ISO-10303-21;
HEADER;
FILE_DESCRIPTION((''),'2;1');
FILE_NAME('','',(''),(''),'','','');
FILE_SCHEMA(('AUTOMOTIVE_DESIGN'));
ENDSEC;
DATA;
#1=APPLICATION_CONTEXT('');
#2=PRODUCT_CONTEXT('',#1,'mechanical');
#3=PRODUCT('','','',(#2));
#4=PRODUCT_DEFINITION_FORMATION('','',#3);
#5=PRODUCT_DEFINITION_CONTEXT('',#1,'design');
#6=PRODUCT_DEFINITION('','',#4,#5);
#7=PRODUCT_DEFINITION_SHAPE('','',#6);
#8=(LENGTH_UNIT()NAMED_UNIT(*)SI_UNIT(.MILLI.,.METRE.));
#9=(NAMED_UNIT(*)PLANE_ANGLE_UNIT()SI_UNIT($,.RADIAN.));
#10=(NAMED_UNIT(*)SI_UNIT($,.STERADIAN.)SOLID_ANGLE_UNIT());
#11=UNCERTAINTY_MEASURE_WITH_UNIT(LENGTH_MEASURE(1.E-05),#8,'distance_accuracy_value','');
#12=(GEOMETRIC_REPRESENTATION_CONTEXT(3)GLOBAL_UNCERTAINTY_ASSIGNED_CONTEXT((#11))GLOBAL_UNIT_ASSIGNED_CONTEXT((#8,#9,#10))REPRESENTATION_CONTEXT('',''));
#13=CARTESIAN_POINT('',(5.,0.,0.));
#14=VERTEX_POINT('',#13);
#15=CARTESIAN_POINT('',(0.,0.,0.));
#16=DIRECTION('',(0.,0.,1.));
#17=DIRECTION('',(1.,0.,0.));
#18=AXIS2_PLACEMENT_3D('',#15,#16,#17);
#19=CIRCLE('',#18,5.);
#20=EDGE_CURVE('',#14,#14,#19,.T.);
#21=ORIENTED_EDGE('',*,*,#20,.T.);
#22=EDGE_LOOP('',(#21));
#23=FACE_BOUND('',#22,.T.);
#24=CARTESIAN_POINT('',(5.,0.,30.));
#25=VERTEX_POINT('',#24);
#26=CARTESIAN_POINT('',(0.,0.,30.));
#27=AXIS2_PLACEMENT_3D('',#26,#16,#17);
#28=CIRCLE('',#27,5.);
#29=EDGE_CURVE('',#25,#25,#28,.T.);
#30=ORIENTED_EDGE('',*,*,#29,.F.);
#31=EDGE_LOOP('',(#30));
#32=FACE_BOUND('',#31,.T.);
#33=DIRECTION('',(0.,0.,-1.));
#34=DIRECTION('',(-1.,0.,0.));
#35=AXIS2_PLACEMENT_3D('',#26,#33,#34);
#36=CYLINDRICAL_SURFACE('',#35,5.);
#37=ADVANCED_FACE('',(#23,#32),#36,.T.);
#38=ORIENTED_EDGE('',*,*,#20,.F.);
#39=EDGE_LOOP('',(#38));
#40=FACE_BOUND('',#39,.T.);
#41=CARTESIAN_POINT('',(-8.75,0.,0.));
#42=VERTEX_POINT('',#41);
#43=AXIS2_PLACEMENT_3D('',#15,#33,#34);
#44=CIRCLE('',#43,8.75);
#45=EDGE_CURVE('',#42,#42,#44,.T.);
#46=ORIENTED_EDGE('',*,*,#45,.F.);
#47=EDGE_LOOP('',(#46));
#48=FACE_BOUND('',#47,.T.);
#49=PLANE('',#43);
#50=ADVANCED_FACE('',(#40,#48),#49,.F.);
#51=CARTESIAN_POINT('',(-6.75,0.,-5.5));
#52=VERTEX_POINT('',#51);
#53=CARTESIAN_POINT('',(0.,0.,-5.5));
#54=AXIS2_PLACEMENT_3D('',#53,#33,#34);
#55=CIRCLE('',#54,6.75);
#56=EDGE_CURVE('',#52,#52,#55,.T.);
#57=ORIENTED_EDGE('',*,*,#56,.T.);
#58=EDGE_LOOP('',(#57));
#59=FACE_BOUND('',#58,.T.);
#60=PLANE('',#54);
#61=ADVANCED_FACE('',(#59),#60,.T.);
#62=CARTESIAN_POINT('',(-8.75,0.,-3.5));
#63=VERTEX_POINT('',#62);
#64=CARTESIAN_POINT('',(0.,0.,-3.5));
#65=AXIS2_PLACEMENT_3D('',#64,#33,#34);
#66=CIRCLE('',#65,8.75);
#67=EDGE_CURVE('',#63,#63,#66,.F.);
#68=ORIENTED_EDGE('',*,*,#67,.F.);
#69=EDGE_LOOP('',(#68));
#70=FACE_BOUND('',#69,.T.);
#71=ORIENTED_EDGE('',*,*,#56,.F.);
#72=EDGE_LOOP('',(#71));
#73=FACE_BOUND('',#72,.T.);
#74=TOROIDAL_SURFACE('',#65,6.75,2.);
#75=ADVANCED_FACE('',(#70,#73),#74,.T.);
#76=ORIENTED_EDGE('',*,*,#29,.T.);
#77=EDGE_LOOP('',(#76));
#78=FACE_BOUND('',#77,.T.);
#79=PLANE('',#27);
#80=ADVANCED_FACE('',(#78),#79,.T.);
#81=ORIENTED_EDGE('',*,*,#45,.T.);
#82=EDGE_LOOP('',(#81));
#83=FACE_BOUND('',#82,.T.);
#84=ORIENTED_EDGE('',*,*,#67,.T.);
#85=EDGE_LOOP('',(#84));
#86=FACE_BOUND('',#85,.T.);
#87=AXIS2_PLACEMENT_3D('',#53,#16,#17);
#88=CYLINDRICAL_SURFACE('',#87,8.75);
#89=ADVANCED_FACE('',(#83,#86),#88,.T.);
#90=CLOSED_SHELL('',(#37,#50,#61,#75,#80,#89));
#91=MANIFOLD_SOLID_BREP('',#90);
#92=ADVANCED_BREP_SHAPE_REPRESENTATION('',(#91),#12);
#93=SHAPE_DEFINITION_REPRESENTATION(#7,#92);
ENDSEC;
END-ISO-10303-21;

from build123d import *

# Parameters (mm, degrees)
SKETCH_1_R      = 5
EXTRUDE_1_DEPTH = 30
SKETCH_2_R      = 8.75
EXTRUDE_2_DEPTH = 5.5
FILLET_2_R      = 2


with BuildPart() as part:
    # 草图1 → 凸台-拉伸1 (new body)
    with BuildSketch(Plane.XY):
        Circle(SKETCH_1_R)
    extrude(amount=EXTRUDE_1_DEPTH)

    # Sketch 2 → 凸台-拉伸2 (add)
    with BuildSketch(Plane(origin=(0, 0, 0), x_dir=(-1, 0, 0), z_dir=(0, 0, -1))):
        Circle(SKETCH_2_R)
    extrude(amount=EXTRUDE_2_DEPTH)

    # 圆角2
    fillet_2_edges = [part.edges().sort_by_distance(p)[0] for p in [
        (8.75, 0, -5.5),
    ]]
    fillet(fillet_2_edges, radius=FILLET_2_R)


solid = part.part
